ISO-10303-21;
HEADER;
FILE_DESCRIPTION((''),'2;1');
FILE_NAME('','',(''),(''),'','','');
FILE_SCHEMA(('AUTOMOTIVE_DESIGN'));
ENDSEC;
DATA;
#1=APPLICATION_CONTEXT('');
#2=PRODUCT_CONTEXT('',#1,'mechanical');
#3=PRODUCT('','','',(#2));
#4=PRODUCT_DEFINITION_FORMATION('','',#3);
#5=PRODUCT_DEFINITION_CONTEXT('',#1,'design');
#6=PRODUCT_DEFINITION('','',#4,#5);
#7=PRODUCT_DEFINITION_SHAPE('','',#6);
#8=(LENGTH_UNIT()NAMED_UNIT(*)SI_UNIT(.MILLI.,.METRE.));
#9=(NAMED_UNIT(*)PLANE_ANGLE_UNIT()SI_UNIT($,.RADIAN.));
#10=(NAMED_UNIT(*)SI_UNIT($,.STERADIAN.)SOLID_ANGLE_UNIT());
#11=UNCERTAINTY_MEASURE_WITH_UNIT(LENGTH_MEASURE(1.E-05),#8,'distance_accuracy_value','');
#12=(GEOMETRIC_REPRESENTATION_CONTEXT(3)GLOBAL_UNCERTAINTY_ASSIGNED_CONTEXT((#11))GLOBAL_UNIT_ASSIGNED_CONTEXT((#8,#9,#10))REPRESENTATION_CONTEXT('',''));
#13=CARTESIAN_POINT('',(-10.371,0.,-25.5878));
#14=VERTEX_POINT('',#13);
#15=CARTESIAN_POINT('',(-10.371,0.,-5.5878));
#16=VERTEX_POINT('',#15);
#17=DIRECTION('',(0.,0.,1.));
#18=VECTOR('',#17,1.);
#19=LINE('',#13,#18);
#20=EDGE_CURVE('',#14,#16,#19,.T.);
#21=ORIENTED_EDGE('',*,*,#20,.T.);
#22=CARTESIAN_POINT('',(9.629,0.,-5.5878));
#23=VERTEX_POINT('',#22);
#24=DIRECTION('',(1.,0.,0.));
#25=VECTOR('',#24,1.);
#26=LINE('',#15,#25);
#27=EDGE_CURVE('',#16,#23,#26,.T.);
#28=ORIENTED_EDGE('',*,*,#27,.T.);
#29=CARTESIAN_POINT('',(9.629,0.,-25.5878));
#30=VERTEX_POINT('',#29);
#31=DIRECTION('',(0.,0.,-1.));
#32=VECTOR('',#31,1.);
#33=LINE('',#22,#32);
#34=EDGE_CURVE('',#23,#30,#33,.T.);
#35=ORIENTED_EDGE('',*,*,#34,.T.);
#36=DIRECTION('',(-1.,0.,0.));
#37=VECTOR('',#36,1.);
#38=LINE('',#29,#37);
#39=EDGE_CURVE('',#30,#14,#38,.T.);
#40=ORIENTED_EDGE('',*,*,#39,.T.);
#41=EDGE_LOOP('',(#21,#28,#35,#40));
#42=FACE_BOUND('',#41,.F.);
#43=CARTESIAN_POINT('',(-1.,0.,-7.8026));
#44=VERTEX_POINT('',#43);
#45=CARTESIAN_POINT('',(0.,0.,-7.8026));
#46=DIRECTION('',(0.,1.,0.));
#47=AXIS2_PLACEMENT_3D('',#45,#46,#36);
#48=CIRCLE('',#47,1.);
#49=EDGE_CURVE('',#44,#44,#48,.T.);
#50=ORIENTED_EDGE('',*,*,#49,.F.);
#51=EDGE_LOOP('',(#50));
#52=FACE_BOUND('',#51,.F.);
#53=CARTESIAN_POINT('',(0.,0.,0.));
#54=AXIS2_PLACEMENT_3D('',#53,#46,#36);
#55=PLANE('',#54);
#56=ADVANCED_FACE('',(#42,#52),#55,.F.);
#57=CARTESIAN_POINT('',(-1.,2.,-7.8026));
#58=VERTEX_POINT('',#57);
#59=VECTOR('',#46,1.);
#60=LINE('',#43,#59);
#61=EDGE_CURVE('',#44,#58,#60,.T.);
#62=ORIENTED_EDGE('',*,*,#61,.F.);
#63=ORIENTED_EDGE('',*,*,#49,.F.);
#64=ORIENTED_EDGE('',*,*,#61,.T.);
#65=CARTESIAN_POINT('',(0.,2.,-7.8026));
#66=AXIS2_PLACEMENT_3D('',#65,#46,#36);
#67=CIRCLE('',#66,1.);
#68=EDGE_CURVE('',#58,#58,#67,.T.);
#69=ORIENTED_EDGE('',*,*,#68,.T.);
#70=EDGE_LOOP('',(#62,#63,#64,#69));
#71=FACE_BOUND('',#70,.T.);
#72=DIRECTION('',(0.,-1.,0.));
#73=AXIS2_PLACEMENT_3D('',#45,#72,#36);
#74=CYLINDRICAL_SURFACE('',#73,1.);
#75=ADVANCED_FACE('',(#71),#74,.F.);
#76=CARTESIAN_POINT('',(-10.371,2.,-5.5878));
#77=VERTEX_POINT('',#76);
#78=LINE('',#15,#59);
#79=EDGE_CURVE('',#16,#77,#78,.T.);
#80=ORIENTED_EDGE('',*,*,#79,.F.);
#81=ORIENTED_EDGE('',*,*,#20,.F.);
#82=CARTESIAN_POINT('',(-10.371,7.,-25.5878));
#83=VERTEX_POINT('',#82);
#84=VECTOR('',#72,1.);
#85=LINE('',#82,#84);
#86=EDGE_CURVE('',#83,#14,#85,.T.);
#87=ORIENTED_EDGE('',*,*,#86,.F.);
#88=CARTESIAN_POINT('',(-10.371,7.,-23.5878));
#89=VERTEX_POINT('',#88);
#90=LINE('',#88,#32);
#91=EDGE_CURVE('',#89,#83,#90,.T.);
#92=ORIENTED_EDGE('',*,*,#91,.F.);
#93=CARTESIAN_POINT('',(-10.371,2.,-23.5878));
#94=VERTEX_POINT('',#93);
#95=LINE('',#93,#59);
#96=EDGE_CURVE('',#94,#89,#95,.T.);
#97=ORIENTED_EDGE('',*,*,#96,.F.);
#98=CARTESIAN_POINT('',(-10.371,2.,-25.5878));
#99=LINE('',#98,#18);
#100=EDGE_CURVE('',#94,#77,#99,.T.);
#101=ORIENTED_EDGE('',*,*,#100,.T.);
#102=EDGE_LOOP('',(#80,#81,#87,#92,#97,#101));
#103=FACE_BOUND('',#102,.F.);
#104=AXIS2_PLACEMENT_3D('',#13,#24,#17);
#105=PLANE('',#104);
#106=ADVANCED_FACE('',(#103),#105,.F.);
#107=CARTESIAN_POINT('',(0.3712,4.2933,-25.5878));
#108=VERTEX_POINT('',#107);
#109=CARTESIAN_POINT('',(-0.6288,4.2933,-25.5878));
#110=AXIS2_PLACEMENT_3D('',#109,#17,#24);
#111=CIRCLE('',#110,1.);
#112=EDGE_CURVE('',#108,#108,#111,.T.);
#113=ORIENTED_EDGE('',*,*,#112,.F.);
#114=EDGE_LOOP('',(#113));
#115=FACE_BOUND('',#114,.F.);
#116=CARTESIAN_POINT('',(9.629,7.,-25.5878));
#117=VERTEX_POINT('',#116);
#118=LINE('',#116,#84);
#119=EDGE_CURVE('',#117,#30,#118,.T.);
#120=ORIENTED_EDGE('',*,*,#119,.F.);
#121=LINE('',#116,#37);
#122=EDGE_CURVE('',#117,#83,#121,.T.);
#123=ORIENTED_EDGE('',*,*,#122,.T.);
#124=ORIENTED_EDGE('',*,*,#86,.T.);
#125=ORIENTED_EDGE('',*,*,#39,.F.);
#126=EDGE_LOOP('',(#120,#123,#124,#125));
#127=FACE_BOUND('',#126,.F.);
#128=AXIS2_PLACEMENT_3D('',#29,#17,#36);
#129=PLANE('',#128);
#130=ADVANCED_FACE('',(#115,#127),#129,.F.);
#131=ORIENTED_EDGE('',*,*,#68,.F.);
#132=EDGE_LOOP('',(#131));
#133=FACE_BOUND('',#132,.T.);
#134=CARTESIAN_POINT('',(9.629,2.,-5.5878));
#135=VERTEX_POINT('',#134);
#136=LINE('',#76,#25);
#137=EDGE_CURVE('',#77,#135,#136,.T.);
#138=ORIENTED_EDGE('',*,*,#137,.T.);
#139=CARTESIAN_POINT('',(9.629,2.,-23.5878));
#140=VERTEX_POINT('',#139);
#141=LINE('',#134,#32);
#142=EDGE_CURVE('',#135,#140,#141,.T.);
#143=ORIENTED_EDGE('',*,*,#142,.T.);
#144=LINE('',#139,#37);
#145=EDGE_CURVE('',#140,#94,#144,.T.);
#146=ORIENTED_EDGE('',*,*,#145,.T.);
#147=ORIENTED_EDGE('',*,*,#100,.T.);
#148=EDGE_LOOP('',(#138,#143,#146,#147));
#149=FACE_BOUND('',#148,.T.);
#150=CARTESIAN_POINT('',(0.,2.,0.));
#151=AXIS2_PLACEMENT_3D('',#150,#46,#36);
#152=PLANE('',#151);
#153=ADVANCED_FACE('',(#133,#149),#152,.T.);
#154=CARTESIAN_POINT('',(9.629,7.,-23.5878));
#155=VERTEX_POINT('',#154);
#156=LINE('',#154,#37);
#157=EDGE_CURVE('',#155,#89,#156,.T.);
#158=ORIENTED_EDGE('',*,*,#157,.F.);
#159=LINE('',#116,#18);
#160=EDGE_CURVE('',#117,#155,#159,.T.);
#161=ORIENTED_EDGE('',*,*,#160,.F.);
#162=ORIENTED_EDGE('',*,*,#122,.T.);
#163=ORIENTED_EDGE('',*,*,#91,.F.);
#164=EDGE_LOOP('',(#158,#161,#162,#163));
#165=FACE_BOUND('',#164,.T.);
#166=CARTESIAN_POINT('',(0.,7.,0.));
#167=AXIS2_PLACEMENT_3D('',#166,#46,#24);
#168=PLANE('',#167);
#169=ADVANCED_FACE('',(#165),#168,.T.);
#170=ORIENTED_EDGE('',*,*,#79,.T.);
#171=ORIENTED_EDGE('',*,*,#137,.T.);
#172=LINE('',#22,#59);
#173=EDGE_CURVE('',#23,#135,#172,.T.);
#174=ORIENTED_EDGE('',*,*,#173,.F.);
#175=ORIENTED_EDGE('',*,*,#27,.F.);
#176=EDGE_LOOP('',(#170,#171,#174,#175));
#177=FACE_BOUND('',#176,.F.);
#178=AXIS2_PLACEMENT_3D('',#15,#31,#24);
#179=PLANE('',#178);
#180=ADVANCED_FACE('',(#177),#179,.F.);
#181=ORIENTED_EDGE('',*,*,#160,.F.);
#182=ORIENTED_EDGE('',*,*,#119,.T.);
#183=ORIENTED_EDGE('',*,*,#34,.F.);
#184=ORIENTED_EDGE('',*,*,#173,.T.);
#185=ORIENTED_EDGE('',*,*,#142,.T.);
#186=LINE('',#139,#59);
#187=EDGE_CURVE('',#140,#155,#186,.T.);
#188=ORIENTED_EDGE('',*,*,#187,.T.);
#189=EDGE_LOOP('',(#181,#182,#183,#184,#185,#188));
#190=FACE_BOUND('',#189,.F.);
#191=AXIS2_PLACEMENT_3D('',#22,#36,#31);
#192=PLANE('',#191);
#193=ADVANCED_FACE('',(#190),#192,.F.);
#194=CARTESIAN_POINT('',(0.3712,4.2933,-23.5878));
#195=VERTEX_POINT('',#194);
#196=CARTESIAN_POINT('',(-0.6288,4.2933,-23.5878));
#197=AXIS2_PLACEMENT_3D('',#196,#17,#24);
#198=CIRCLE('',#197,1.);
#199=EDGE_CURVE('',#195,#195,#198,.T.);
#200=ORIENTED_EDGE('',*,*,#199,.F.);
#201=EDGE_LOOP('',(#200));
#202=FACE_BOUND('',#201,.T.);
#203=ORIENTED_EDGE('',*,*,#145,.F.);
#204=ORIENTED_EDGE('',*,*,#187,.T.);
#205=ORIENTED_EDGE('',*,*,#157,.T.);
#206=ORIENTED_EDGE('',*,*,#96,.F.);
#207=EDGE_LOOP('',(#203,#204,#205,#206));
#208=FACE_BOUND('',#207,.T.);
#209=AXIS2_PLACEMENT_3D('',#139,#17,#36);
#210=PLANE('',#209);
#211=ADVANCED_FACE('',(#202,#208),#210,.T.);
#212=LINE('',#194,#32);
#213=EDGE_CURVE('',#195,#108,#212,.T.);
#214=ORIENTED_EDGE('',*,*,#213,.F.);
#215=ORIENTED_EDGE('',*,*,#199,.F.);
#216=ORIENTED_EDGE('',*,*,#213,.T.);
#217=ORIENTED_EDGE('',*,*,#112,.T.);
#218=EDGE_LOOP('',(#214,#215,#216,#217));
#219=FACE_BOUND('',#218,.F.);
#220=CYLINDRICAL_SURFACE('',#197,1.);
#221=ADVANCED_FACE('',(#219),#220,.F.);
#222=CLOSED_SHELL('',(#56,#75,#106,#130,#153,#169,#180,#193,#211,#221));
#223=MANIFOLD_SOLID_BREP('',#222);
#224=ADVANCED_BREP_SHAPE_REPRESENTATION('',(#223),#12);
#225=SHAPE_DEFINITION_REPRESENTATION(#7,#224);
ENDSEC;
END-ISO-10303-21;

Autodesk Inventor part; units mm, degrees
ref_plane "YZ Plane" through (0, 0, 0) normal (1, 0, 0) x (0, 1, 0)
ref_plane "XZ Plane" through (0, 0, 0) normal (0, 1, 0) x (-1, 0, 0)
ref_plane "XY Plane" through (0, 0, 0) normal (0, 0, 1) x (1, 0, 0)
sketch "Sketch1" plane through (0, 0, 0) normal (0, 1, 0) x (-1, 0, 0)
  line L0 (10.371, -5.5878) -> (-9.629, -5.5878)
  line L1 (-9.629, -5.5878) -> (-9.629, -25.5878)
  line L2 (-9.629, -25.5878) -> (10.371, -25.5878)
  line L3 (10.371, -25.5878) -> (10.371, -5.5878)
  circle A0 centre (0, -7.8026) radius 1
  point P0 (0, 0)
  dimension "d0" = 20
  dimension "d1" = 20
  dimension "d2" = 2
extrude "Extrusion1" add sketch "Sketch1" along normal blind 2
sketch "Sketch2" plane through (0, 2, 0) normal (0, 1, 0) x (1, 0, 0)
  line L0 (9.629, 25.5878) -> (-10.371, 25.5878) projected
  line L1 (-10.371, 25.5878) -> (9.629, 25.5878)
  line L2 (9.629, 25.5878) -> (9.629, 23.5878)
  line L3 (9.629, 23.5878) -> (-10.371, 23.5878)
  line L4 (-10.371, 23.5878) -> (-10.371, 25.5878)
  point P0 (0, 0)
  dimension "d5" = 20
  dimension "d6" = 2
extrude "Extrusion2" add sketch "Sketch2" along normal blind 5
sketch "Sketch3" plane through (-10.371, 2, -23.5878) normal (0, 0, 1) x (1, 0, 0)
  circle A0 centre (9.7422, 2.2933) radius 1
  point P0 (10.371, -2)
  dimension "d9" = 2
extrude "Extrusion3" cut sketch "Sketch3" against normal blind 5
properties part number "clampforplatform"
